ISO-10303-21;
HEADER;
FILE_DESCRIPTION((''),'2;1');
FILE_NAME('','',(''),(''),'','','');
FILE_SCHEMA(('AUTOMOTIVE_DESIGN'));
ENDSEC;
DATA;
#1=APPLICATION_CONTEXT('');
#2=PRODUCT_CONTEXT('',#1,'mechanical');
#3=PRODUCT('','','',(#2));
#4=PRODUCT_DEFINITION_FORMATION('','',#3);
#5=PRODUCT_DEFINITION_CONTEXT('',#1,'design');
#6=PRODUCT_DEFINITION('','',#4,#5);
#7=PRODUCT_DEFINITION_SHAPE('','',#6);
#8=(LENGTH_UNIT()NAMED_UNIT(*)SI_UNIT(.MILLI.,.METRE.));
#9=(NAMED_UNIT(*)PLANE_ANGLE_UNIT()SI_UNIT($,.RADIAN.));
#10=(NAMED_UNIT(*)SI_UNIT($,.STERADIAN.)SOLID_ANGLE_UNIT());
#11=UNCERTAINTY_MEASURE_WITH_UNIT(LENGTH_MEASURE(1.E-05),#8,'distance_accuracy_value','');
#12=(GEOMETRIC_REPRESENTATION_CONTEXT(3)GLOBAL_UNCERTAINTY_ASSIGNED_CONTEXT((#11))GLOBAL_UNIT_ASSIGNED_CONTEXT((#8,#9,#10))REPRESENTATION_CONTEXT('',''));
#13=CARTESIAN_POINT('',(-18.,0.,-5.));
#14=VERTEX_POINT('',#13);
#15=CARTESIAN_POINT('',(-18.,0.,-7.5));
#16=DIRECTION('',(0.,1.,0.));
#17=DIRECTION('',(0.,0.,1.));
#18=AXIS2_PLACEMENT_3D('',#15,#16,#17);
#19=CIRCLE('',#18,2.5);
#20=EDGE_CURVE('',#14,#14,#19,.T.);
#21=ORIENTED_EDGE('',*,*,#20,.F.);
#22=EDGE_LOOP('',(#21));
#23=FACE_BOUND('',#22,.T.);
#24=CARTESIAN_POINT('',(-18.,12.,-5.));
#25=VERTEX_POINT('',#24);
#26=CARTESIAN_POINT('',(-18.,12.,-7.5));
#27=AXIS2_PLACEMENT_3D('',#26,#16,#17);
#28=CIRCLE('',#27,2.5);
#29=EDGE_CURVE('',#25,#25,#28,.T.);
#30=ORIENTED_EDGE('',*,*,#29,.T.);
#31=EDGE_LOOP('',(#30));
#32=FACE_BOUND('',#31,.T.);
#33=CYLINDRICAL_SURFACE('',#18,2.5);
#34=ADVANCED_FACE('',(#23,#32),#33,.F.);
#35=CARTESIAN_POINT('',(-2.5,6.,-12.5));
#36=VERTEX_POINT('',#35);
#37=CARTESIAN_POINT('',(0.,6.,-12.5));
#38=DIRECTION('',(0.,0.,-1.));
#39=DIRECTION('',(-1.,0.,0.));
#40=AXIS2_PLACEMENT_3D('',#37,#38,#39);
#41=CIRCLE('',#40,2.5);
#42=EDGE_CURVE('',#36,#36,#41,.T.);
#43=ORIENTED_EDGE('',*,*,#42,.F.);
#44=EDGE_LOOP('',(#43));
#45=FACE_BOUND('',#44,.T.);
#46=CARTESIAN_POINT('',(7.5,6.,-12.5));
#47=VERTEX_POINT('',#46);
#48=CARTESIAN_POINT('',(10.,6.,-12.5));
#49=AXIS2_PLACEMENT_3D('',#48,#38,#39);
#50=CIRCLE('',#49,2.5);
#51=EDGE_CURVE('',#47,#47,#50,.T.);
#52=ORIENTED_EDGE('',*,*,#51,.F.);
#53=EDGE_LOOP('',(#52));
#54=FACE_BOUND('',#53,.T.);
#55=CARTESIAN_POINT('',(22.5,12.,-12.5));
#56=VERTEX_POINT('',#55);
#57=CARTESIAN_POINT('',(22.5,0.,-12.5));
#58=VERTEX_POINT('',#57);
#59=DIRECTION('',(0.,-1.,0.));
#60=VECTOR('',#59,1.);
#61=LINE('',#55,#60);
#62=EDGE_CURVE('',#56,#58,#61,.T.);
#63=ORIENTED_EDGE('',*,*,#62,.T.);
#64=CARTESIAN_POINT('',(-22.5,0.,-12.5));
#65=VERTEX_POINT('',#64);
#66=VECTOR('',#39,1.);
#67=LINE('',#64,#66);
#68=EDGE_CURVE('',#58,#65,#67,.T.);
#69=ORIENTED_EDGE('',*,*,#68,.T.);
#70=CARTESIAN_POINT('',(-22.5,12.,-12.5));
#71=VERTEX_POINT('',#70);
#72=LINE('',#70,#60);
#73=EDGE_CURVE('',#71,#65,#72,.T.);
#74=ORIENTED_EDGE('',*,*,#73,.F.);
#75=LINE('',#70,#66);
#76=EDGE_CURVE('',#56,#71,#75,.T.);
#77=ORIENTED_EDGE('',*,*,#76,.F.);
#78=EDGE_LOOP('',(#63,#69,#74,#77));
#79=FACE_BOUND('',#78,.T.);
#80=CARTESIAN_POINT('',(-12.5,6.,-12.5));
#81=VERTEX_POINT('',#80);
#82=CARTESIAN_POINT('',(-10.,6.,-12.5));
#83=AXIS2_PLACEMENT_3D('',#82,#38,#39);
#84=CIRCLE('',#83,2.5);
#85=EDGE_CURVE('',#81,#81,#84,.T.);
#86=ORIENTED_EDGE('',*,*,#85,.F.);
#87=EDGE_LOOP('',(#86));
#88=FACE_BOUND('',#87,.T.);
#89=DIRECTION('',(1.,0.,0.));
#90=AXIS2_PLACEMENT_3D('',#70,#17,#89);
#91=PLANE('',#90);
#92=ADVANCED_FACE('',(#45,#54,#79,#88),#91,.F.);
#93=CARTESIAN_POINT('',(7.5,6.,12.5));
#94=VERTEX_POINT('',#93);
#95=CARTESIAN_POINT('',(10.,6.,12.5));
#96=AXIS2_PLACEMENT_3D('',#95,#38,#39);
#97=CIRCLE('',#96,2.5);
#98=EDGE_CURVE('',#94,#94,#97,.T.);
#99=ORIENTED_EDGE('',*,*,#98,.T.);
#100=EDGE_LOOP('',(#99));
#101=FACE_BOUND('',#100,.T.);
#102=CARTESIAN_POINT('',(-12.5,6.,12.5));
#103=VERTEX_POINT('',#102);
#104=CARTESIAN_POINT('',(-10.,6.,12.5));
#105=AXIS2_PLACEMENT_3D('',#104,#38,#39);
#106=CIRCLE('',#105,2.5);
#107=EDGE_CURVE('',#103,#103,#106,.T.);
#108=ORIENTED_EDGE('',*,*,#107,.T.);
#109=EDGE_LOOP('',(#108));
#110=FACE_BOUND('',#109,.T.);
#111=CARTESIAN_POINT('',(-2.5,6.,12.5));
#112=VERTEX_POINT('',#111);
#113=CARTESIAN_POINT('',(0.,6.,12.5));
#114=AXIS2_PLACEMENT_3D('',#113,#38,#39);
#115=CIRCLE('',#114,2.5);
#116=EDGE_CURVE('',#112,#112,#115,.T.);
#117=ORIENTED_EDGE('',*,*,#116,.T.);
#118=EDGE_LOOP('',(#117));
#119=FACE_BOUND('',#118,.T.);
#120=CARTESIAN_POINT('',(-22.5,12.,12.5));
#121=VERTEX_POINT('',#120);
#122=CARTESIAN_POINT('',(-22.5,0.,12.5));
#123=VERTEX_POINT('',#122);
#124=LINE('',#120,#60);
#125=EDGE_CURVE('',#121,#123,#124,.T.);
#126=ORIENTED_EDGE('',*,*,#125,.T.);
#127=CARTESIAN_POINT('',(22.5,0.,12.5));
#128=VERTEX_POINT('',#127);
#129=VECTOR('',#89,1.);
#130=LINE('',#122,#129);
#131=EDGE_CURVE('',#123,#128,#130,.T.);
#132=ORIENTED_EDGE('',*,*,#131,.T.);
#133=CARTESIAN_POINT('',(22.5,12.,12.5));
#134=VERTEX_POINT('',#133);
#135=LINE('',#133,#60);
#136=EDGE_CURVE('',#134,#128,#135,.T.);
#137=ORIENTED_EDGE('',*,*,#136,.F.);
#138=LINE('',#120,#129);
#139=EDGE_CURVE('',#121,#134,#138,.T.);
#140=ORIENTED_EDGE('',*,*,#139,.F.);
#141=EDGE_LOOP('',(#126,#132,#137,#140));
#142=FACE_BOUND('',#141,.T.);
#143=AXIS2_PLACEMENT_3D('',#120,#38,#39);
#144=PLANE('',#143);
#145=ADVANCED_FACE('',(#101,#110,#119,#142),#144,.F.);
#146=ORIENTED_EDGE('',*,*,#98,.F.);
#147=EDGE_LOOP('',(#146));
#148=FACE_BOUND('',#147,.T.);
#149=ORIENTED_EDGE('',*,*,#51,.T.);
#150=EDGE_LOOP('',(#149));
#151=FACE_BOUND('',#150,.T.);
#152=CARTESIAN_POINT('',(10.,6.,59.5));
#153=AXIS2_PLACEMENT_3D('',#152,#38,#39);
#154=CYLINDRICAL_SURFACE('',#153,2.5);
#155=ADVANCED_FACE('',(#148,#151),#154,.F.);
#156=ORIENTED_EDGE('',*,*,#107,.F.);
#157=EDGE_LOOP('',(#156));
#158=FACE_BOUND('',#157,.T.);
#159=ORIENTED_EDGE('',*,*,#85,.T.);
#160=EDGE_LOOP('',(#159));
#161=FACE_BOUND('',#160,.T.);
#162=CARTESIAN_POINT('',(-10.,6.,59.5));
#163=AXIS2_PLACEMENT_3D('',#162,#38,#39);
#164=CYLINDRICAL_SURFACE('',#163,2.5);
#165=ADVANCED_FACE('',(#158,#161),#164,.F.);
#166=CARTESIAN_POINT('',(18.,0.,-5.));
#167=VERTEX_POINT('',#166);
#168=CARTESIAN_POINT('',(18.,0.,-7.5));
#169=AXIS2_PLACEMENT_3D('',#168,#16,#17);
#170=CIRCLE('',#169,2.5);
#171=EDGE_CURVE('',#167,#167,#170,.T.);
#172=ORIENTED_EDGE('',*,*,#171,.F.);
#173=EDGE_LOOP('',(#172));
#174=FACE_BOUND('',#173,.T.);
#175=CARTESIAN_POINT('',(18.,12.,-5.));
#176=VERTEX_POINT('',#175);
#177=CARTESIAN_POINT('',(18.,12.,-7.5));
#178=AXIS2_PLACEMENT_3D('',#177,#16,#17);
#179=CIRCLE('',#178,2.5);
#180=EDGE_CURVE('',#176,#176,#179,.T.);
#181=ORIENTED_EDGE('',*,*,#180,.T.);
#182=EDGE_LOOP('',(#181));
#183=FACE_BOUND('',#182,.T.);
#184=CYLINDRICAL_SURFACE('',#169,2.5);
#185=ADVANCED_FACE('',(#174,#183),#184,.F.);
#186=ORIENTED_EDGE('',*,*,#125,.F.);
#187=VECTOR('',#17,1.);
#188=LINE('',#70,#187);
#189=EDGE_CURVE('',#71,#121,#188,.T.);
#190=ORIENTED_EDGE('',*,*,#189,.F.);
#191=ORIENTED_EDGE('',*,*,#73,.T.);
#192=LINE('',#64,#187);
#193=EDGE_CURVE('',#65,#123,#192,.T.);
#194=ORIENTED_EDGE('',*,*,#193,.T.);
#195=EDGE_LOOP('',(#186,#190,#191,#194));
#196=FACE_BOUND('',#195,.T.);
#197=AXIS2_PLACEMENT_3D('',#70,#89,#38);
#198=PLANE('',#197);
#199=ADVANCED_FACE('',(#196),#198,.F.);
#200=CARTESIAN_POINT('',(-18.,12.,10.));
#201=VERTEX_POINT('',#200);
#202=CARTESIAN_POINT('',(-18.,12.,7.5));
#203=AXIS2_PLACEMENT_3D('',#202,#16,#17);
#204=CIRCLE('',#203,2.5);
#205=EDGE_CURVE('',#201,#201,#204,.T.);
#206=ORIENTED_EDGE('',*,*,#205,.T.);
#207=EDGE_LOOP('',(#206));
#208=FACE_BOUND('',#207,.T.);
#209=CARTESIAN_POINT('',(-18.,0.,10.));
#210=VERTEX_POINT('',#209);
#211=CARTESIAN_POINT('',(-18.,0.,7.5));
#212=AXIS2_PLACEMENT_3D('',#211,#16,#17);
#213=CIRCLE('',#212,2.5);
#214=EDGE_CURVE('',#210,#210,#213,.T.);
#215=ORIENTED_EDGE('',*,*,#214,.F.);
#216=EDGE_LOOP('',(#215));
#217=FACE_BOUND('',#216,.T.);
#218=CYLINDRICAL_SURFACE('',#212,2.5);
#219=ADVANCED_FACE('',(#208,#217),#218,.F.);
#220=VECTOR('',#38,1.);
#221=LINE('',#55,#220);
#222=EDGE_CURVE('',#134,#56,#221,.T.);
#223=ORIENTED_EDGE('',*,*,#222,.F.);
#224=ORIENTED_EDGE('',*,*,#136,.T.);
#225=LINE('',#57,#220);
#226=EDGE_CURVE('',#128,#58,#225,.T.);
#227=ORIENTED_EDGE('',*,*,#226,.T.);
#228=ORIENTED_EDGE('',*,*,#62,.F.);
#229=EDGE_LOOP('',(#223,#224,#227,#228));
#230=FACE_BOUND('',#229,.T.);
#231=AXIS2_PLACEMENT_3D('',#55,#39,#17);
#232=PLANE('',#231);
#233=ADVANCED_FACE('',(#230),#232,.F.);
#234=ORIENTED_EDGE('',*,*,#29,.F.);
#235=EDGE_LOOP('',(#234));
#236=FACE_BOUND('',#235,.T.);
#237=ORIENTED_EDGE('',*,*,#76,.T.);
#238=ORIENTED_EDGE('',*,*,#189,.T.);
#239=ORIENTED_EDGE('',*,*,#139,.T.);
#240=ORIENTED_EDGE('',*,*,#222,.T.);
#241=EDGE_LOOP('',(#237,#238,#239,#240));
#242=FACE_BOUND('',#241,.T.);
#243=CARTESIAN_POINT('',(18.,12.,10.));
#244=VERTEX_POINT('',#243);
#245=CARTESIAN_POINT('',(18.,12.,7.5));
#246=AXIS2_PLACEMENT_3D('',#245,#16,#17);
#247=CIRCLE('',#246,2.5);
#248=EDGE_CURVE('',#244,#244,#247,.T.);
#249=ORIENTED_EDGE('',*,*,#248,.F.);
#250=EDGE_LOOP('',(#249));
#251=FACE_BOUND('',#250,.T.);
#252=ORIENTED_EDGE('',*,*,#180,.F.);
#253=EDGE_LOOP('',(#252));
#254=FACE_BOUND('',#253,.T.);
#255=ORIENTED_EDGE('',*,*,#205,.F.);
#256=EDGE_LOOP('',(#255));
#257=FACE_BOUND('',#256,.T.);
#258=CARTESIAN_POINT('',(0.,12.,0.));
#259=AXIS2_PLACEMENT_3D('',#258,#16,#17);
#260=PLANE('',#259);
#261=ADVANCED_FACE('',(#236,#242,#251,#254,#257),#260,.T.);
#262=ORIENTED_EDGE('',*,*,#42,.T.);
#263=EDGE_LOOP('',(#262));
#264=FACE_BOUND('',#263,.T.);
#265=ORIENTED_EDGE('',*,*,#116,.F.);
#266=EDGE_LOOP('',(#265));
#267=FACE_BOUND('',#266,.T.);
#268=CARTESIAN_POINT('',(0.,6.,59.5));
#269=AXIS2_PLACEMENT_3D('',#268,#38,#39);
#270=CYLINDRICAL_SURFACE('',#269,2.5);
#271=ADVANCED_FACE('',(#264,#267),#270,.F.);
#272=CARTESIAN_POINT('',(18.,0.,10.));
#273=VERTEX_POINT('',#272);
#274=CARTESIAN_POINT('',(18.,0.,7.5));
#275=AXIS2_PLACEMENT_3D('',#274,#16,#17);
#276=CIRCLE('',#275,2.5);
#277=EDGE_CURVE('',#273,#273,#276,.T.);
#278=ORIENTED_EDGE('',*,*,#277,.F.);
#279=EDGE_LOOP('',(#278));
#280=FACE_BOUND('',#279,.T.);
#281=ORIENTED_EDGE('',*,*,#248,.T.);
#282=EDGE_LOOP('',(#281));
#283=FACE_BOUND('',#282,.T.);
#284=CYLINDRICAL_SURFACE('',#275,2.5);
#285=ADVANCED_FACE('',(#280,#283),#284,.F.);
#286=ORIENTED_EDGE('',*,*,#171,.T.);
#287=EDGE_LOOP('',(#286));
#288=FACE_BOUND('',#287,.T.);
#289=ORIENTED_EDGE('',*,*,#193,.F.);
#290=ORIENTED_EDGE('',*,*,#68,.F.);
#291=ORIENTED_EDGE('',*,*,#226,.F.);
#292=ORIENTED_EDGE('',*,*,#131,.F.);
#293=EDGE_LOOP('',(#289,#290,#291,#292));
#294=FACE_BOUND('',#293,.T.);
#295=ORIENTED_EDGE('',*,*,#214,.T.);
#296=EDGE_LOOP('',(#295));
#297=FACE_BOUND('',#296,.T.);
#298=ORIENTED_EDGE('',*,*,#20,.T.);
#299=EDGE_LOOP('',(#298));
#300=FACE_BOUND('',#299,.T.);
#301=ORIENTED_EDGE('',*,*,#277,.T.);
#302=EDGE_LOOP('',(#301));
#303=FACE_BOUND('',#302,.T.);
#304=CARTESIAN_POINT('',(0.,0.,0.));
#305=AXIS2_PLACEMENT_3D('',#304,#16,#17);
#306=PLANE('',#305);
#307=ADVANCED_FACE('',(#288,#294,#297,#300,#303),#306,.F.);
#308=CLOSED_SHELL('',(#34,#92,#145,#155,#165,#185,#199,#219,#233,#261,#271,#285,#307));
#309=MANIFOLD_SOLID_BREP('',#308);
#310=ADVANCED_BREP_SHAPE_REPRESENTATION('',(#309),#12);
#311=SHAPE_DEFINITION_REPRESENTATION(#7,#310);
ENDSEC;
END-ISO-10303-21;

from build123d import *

# Parameters (mm, degrees)
SKETCH1_W           = 45
SKETCH1_H           = 25
BOSS_EXTRUDE1_DEPTH = 12
SKETCH2_R           = 2.5
CUT_EXTRUDE1_DEPTH  = 12
SKETCH3_R           = 2.5
CUT_EXTRUDE2_DEPTH  = 72
SKETCH4_R           = 2.5
CUT_EXTRUDE3_DEPTH  = 72


with BuildPart() as part:
    # Sketch1 → Boss-Extrude1 (new body)
    with BuildSketch(Plane(origin=(0, 0, 0), x_dir=(1, 0, 0), z_dir=(0, 1, 0))):
        Rectangle(SKETCH1_W, SKETCH1_H)
    extrude(amount=BOSS_EXTRUDE1_DEPTH)

    # Sketch2 → Cut-Extrude1 (cut)
    with BuildSketch(Plane(origin=(0, 12, 0), x_dir=(1, 0, 0), z_dir=(0, 1, 0))):
        with Locations((-18, -7.5)):
            Circle(SKETCH2_R)
        with Locations((-18, 7.5)):
            Circle(SKETCH2_R)
        with Locations((18, -7.5)):
            Circle(SKETCH2_R)
        with Locations((18, 7.5)):
            Circle(SKETCH2_R)
    extrude(amount=-CUT_EXTRUDE1_DEPTH, mode=Mode.SUBTRACT)

    # Sketch3 → Cut-Extrude2 (cut)
    with BuildSketch(Plane(origin=(0, 0, -12.5), x_dir=(-1, 0, 0), z_dir=(0, 0, -1))):
        with Locations((0, 6)):
            Circle(SKETCH3_R)
    extrude(amount=-CUT_EXTRUDE2_DEPTH, mode=Mode.SUBTRACT)

    # Sketch4 → Cut-Extrude3 (cut)
    with BuildSketch(Plane(origin=(0, 0, -12.5), x_dir=(-1, 0, 0), z_dir=(0, 0, -1))):
        with Locations((10, 6)):
            Circle(SKETCH4_R)
        with Locations((-10, 6)):
            Circle(SKETCH4_R)
    extrude(amount=-CUT_EXTRUDE3_DEPTH, mode=Mode.SUBTRACT)


solid = part.part
